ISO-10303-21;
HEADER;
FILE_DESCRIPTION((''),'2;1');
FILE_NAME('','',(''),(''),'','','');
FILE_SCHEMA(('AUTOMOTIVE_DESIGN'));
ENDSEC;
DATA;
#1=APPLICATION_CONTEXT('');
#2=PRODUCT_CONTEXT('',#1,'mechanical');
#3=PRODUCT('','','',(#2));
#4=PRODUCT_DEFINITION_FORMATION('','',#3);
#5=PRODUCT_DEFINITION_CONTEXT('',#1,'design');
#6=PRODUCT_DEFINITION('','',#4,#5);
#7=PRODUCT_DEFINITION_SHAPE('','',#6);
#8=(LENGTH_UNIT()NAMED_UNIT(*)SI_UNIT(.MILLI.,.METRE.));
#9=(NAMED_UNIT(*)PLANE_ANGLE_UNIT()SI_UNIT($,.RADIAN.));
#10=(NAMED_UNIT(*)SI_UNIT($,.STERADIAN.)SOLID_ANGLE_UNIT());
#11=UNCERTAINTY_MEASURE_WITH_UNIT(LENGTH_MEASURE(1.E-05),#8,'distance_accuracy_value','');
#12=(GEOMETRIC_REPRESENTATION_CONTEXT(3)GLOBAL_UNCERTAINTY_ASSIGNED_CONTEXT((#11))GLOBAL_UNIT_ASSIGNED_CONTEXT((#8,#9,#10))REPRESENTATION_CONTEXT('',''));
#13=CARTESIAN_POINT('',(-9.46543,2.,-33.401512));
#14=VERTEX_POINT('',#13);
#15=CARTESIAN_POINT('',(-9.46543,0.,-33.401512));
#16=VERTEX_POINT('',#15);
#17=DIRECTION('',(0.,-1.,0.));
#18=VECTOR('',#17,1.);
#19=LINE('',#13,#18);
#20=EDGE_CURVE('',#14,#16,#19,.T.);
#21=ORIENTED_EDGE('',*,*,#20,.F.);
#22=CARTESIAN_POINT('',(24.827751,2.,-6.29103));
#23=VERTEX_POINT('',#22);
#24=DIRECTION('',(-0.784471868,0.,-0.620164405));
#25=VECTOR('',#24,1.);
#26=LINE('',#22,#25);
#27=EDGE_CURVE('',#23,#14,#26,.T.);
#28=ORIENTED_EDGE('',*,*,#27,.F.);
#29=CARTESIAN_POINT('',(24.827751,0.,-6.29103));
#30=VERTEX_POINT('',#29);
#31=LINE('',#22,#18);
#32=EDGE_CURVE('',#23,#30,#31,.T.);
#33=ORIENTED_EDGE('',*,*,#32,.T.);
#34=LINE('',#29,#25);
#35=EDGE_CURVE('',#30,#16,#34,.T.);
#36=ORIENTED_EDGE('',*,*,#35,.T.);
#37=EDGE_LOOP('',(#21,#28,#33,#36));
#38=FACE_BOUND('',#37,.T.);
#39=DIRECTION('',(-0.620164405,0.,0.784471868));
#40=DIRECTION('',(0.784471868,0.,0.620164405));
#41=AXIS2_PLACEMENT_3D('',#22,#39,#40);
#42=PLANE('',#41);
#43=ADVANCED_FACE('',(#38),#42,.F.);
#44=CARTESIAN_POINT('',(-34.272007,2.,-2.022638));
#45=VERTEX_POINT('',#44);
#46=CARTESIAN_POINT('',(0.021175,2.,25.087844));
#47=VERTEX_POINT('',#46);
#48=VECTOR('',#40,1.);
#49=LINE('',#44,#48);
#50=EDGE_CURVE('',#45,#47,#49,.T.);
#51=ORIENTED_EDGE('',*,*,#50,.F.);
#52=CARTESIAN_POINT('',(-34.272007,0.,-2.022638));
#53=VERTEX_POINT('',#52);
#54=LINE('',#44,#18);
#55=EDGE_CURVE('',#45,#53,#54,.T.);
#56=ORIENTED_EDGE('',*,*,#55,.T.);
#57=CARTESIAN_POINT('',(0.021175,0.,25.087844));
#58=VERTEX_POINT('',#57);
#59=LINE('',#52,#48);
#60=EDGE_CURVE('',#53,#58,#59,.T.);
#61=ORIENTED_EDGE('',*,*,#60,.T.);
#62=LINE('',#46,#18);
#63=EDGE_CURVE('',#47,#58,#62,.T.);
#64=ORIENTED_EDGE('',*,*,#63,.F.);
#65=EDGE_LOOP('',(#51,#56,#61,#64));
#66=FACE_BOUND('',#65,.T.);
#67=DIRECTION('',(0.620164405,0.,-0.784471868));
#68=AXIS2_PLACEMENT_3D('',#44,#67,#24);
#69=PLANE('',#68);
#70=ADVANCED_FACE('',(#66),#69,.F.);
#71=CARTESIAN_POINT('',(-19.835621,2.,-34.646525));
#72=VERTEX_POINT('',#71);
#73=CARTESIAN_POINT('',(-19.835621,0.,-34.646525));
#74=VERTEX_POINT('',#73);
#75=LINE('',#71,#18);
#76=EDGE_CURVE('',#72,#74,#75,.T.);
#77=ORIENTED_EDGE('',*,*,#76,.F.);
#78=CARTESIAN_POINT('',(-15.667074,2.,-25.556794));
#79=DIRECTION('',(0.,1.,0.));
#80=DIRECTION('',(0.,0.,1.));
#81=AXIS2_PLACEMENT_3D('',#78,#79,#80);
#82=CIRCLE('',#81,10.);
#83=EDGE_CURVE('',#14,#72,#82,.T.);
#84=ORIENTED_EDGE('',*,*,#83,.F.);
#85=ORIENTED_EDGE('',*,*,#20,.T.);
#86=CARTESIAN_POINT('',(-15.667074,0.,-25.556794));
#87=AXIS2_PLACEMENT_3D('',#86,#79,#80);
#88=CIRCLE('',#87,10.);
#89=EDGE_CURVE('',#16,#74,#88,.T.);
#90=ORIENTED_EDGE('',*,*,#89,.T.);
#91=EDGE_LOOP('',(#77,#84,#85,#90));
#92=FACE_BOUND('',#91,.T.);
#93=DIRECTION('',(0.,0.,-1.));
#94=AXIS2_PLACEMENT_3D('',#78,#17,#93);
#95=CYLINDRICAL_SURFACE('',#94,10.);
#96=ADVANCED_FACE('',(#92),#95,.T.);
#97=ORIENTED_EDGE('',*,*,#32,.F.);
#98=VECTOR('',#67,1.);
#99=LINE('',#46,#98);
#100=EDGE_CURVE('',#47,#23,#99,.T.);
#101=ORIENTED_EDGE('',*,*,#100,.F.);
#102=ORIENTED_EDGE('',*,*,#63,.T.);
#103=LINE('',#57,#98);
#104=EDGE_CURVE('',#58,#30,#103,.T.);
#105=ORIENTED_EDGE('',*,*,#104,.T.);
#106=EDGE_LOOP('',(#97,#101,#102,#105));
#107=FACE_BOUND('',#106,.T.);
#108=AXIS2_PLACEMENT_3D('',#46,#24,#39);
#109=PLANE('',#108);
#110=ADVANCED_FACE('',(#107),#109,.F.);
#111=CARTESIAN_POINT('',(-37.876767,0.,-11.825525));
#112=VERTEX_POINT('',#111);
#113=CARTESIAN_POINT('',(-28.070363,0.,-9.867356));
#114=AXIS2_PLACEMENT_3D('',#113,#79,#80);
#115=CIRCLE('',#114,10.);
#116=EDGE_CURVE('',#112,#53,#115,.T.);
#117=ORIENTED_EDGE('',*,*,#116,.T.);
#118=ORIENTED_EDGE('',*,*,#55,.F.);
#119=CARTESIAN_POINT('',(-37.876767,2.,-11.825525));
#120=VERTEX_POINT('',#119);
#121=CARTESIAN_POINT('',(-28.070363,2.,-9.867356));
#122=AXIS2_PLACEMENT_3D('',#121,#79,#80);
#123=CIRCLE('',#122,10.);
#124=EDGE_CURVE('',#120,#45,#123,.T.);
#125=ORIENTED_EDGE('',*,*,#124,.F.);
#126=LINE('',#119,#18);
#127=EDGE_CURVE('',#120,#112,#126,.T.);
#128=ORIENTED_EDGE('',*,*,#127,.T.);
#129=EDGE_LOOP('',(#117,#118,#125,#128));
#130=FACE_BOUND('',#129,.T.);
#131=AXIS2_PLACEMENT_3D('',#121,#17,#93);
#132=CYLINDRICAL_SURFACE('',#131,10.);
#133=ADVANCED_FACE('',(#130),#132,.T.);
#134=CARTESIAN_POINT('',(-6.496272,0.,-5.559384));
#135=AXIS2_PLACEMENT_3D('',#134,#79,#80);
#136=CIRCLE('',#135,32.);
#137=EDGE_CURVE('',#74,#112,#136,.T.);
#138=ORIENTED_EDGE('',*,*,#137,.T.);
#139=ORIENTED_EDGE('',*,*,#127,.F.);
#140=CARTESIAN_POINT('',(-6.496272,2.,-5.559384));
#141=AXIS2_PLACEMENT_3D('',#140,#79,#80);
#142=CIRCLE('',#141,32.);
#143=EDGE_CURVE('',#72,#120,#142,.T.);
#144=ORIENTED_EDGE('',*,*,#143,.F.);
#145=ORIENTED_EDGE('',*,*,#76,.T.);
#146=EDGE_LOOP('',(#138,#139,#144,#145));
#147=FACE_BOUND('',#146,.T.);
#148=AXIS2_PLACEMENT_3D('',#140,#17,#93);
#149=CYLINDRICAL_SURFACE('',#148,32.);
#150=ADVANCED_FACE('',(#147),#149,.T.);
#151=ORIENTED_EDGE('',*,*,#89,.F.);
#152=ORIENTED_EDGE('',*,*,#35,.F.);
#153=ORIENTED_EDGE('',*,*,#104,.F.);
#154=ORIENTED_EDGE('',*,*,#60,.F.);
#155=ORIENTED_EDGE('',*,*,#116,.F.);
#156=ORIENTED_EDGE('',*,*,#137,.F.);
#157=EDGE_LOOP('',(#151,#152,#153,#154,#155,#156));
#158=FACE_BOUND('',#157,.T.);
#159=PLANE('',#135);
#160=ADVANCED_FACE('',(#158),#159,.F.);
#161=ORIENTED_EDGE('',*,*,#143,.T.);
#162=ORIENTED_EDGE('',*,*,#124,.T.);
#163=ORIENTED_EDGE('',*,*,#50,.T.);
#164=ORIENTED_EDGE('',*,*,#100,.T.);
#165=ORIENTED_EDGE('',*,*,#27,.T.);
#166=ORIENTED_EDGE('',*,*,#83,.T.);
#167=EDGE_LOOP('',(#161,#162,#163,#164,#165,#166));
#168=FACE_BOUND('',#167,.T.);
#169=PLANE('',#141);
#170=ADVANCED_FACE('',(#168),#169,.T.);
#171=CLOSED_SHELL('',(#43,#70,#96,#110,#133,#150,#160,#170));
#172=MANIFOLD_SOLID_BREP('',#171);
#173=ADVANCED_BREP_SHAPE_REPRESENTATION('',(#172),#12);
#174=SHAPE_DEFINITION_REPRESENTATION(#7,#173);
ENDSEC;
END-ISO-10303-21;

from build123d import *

# Parameters (mm, degrees)
BOSS_EXTRUDE1_DEPTH = 2


with BuildPart() as part:
    # Sketch1 → Boss-Extrude1 (new body)
    with BuildSketch(Plane(origin=(0, 0, 0), x_dir=(1, 0, 0), z_dir=(0, 1, 0))):
        with BuildLine():
            Line((-34.272006578, 2.022637666), (0.021174984, -25.087844423))
            Line((0.021174984, -25.087844423), (24.827751164, 6.291030289))
            Line((24.827751164, 6.291030289), (-9.465430397, 33.401512378))
            ThreePointArc((-9.465430397, 33.401512378), (-14.475065348, 35.485495243), (-19.835620944, 34.646525273))
            ThreePointArc((-19.835620944, 34.646525273), (-31.599371908, 25.404645185), (-37.876767257, 11.825525482))
            ThreePointArc((-37.876767257, 11.825525482), (-37.455913062, 6.416060752), (-34.272006578, 2.022637666))
        make_face()
    extrude(amount=BOSS_EXTRUDE1_DEPTH)


solid = part.part
